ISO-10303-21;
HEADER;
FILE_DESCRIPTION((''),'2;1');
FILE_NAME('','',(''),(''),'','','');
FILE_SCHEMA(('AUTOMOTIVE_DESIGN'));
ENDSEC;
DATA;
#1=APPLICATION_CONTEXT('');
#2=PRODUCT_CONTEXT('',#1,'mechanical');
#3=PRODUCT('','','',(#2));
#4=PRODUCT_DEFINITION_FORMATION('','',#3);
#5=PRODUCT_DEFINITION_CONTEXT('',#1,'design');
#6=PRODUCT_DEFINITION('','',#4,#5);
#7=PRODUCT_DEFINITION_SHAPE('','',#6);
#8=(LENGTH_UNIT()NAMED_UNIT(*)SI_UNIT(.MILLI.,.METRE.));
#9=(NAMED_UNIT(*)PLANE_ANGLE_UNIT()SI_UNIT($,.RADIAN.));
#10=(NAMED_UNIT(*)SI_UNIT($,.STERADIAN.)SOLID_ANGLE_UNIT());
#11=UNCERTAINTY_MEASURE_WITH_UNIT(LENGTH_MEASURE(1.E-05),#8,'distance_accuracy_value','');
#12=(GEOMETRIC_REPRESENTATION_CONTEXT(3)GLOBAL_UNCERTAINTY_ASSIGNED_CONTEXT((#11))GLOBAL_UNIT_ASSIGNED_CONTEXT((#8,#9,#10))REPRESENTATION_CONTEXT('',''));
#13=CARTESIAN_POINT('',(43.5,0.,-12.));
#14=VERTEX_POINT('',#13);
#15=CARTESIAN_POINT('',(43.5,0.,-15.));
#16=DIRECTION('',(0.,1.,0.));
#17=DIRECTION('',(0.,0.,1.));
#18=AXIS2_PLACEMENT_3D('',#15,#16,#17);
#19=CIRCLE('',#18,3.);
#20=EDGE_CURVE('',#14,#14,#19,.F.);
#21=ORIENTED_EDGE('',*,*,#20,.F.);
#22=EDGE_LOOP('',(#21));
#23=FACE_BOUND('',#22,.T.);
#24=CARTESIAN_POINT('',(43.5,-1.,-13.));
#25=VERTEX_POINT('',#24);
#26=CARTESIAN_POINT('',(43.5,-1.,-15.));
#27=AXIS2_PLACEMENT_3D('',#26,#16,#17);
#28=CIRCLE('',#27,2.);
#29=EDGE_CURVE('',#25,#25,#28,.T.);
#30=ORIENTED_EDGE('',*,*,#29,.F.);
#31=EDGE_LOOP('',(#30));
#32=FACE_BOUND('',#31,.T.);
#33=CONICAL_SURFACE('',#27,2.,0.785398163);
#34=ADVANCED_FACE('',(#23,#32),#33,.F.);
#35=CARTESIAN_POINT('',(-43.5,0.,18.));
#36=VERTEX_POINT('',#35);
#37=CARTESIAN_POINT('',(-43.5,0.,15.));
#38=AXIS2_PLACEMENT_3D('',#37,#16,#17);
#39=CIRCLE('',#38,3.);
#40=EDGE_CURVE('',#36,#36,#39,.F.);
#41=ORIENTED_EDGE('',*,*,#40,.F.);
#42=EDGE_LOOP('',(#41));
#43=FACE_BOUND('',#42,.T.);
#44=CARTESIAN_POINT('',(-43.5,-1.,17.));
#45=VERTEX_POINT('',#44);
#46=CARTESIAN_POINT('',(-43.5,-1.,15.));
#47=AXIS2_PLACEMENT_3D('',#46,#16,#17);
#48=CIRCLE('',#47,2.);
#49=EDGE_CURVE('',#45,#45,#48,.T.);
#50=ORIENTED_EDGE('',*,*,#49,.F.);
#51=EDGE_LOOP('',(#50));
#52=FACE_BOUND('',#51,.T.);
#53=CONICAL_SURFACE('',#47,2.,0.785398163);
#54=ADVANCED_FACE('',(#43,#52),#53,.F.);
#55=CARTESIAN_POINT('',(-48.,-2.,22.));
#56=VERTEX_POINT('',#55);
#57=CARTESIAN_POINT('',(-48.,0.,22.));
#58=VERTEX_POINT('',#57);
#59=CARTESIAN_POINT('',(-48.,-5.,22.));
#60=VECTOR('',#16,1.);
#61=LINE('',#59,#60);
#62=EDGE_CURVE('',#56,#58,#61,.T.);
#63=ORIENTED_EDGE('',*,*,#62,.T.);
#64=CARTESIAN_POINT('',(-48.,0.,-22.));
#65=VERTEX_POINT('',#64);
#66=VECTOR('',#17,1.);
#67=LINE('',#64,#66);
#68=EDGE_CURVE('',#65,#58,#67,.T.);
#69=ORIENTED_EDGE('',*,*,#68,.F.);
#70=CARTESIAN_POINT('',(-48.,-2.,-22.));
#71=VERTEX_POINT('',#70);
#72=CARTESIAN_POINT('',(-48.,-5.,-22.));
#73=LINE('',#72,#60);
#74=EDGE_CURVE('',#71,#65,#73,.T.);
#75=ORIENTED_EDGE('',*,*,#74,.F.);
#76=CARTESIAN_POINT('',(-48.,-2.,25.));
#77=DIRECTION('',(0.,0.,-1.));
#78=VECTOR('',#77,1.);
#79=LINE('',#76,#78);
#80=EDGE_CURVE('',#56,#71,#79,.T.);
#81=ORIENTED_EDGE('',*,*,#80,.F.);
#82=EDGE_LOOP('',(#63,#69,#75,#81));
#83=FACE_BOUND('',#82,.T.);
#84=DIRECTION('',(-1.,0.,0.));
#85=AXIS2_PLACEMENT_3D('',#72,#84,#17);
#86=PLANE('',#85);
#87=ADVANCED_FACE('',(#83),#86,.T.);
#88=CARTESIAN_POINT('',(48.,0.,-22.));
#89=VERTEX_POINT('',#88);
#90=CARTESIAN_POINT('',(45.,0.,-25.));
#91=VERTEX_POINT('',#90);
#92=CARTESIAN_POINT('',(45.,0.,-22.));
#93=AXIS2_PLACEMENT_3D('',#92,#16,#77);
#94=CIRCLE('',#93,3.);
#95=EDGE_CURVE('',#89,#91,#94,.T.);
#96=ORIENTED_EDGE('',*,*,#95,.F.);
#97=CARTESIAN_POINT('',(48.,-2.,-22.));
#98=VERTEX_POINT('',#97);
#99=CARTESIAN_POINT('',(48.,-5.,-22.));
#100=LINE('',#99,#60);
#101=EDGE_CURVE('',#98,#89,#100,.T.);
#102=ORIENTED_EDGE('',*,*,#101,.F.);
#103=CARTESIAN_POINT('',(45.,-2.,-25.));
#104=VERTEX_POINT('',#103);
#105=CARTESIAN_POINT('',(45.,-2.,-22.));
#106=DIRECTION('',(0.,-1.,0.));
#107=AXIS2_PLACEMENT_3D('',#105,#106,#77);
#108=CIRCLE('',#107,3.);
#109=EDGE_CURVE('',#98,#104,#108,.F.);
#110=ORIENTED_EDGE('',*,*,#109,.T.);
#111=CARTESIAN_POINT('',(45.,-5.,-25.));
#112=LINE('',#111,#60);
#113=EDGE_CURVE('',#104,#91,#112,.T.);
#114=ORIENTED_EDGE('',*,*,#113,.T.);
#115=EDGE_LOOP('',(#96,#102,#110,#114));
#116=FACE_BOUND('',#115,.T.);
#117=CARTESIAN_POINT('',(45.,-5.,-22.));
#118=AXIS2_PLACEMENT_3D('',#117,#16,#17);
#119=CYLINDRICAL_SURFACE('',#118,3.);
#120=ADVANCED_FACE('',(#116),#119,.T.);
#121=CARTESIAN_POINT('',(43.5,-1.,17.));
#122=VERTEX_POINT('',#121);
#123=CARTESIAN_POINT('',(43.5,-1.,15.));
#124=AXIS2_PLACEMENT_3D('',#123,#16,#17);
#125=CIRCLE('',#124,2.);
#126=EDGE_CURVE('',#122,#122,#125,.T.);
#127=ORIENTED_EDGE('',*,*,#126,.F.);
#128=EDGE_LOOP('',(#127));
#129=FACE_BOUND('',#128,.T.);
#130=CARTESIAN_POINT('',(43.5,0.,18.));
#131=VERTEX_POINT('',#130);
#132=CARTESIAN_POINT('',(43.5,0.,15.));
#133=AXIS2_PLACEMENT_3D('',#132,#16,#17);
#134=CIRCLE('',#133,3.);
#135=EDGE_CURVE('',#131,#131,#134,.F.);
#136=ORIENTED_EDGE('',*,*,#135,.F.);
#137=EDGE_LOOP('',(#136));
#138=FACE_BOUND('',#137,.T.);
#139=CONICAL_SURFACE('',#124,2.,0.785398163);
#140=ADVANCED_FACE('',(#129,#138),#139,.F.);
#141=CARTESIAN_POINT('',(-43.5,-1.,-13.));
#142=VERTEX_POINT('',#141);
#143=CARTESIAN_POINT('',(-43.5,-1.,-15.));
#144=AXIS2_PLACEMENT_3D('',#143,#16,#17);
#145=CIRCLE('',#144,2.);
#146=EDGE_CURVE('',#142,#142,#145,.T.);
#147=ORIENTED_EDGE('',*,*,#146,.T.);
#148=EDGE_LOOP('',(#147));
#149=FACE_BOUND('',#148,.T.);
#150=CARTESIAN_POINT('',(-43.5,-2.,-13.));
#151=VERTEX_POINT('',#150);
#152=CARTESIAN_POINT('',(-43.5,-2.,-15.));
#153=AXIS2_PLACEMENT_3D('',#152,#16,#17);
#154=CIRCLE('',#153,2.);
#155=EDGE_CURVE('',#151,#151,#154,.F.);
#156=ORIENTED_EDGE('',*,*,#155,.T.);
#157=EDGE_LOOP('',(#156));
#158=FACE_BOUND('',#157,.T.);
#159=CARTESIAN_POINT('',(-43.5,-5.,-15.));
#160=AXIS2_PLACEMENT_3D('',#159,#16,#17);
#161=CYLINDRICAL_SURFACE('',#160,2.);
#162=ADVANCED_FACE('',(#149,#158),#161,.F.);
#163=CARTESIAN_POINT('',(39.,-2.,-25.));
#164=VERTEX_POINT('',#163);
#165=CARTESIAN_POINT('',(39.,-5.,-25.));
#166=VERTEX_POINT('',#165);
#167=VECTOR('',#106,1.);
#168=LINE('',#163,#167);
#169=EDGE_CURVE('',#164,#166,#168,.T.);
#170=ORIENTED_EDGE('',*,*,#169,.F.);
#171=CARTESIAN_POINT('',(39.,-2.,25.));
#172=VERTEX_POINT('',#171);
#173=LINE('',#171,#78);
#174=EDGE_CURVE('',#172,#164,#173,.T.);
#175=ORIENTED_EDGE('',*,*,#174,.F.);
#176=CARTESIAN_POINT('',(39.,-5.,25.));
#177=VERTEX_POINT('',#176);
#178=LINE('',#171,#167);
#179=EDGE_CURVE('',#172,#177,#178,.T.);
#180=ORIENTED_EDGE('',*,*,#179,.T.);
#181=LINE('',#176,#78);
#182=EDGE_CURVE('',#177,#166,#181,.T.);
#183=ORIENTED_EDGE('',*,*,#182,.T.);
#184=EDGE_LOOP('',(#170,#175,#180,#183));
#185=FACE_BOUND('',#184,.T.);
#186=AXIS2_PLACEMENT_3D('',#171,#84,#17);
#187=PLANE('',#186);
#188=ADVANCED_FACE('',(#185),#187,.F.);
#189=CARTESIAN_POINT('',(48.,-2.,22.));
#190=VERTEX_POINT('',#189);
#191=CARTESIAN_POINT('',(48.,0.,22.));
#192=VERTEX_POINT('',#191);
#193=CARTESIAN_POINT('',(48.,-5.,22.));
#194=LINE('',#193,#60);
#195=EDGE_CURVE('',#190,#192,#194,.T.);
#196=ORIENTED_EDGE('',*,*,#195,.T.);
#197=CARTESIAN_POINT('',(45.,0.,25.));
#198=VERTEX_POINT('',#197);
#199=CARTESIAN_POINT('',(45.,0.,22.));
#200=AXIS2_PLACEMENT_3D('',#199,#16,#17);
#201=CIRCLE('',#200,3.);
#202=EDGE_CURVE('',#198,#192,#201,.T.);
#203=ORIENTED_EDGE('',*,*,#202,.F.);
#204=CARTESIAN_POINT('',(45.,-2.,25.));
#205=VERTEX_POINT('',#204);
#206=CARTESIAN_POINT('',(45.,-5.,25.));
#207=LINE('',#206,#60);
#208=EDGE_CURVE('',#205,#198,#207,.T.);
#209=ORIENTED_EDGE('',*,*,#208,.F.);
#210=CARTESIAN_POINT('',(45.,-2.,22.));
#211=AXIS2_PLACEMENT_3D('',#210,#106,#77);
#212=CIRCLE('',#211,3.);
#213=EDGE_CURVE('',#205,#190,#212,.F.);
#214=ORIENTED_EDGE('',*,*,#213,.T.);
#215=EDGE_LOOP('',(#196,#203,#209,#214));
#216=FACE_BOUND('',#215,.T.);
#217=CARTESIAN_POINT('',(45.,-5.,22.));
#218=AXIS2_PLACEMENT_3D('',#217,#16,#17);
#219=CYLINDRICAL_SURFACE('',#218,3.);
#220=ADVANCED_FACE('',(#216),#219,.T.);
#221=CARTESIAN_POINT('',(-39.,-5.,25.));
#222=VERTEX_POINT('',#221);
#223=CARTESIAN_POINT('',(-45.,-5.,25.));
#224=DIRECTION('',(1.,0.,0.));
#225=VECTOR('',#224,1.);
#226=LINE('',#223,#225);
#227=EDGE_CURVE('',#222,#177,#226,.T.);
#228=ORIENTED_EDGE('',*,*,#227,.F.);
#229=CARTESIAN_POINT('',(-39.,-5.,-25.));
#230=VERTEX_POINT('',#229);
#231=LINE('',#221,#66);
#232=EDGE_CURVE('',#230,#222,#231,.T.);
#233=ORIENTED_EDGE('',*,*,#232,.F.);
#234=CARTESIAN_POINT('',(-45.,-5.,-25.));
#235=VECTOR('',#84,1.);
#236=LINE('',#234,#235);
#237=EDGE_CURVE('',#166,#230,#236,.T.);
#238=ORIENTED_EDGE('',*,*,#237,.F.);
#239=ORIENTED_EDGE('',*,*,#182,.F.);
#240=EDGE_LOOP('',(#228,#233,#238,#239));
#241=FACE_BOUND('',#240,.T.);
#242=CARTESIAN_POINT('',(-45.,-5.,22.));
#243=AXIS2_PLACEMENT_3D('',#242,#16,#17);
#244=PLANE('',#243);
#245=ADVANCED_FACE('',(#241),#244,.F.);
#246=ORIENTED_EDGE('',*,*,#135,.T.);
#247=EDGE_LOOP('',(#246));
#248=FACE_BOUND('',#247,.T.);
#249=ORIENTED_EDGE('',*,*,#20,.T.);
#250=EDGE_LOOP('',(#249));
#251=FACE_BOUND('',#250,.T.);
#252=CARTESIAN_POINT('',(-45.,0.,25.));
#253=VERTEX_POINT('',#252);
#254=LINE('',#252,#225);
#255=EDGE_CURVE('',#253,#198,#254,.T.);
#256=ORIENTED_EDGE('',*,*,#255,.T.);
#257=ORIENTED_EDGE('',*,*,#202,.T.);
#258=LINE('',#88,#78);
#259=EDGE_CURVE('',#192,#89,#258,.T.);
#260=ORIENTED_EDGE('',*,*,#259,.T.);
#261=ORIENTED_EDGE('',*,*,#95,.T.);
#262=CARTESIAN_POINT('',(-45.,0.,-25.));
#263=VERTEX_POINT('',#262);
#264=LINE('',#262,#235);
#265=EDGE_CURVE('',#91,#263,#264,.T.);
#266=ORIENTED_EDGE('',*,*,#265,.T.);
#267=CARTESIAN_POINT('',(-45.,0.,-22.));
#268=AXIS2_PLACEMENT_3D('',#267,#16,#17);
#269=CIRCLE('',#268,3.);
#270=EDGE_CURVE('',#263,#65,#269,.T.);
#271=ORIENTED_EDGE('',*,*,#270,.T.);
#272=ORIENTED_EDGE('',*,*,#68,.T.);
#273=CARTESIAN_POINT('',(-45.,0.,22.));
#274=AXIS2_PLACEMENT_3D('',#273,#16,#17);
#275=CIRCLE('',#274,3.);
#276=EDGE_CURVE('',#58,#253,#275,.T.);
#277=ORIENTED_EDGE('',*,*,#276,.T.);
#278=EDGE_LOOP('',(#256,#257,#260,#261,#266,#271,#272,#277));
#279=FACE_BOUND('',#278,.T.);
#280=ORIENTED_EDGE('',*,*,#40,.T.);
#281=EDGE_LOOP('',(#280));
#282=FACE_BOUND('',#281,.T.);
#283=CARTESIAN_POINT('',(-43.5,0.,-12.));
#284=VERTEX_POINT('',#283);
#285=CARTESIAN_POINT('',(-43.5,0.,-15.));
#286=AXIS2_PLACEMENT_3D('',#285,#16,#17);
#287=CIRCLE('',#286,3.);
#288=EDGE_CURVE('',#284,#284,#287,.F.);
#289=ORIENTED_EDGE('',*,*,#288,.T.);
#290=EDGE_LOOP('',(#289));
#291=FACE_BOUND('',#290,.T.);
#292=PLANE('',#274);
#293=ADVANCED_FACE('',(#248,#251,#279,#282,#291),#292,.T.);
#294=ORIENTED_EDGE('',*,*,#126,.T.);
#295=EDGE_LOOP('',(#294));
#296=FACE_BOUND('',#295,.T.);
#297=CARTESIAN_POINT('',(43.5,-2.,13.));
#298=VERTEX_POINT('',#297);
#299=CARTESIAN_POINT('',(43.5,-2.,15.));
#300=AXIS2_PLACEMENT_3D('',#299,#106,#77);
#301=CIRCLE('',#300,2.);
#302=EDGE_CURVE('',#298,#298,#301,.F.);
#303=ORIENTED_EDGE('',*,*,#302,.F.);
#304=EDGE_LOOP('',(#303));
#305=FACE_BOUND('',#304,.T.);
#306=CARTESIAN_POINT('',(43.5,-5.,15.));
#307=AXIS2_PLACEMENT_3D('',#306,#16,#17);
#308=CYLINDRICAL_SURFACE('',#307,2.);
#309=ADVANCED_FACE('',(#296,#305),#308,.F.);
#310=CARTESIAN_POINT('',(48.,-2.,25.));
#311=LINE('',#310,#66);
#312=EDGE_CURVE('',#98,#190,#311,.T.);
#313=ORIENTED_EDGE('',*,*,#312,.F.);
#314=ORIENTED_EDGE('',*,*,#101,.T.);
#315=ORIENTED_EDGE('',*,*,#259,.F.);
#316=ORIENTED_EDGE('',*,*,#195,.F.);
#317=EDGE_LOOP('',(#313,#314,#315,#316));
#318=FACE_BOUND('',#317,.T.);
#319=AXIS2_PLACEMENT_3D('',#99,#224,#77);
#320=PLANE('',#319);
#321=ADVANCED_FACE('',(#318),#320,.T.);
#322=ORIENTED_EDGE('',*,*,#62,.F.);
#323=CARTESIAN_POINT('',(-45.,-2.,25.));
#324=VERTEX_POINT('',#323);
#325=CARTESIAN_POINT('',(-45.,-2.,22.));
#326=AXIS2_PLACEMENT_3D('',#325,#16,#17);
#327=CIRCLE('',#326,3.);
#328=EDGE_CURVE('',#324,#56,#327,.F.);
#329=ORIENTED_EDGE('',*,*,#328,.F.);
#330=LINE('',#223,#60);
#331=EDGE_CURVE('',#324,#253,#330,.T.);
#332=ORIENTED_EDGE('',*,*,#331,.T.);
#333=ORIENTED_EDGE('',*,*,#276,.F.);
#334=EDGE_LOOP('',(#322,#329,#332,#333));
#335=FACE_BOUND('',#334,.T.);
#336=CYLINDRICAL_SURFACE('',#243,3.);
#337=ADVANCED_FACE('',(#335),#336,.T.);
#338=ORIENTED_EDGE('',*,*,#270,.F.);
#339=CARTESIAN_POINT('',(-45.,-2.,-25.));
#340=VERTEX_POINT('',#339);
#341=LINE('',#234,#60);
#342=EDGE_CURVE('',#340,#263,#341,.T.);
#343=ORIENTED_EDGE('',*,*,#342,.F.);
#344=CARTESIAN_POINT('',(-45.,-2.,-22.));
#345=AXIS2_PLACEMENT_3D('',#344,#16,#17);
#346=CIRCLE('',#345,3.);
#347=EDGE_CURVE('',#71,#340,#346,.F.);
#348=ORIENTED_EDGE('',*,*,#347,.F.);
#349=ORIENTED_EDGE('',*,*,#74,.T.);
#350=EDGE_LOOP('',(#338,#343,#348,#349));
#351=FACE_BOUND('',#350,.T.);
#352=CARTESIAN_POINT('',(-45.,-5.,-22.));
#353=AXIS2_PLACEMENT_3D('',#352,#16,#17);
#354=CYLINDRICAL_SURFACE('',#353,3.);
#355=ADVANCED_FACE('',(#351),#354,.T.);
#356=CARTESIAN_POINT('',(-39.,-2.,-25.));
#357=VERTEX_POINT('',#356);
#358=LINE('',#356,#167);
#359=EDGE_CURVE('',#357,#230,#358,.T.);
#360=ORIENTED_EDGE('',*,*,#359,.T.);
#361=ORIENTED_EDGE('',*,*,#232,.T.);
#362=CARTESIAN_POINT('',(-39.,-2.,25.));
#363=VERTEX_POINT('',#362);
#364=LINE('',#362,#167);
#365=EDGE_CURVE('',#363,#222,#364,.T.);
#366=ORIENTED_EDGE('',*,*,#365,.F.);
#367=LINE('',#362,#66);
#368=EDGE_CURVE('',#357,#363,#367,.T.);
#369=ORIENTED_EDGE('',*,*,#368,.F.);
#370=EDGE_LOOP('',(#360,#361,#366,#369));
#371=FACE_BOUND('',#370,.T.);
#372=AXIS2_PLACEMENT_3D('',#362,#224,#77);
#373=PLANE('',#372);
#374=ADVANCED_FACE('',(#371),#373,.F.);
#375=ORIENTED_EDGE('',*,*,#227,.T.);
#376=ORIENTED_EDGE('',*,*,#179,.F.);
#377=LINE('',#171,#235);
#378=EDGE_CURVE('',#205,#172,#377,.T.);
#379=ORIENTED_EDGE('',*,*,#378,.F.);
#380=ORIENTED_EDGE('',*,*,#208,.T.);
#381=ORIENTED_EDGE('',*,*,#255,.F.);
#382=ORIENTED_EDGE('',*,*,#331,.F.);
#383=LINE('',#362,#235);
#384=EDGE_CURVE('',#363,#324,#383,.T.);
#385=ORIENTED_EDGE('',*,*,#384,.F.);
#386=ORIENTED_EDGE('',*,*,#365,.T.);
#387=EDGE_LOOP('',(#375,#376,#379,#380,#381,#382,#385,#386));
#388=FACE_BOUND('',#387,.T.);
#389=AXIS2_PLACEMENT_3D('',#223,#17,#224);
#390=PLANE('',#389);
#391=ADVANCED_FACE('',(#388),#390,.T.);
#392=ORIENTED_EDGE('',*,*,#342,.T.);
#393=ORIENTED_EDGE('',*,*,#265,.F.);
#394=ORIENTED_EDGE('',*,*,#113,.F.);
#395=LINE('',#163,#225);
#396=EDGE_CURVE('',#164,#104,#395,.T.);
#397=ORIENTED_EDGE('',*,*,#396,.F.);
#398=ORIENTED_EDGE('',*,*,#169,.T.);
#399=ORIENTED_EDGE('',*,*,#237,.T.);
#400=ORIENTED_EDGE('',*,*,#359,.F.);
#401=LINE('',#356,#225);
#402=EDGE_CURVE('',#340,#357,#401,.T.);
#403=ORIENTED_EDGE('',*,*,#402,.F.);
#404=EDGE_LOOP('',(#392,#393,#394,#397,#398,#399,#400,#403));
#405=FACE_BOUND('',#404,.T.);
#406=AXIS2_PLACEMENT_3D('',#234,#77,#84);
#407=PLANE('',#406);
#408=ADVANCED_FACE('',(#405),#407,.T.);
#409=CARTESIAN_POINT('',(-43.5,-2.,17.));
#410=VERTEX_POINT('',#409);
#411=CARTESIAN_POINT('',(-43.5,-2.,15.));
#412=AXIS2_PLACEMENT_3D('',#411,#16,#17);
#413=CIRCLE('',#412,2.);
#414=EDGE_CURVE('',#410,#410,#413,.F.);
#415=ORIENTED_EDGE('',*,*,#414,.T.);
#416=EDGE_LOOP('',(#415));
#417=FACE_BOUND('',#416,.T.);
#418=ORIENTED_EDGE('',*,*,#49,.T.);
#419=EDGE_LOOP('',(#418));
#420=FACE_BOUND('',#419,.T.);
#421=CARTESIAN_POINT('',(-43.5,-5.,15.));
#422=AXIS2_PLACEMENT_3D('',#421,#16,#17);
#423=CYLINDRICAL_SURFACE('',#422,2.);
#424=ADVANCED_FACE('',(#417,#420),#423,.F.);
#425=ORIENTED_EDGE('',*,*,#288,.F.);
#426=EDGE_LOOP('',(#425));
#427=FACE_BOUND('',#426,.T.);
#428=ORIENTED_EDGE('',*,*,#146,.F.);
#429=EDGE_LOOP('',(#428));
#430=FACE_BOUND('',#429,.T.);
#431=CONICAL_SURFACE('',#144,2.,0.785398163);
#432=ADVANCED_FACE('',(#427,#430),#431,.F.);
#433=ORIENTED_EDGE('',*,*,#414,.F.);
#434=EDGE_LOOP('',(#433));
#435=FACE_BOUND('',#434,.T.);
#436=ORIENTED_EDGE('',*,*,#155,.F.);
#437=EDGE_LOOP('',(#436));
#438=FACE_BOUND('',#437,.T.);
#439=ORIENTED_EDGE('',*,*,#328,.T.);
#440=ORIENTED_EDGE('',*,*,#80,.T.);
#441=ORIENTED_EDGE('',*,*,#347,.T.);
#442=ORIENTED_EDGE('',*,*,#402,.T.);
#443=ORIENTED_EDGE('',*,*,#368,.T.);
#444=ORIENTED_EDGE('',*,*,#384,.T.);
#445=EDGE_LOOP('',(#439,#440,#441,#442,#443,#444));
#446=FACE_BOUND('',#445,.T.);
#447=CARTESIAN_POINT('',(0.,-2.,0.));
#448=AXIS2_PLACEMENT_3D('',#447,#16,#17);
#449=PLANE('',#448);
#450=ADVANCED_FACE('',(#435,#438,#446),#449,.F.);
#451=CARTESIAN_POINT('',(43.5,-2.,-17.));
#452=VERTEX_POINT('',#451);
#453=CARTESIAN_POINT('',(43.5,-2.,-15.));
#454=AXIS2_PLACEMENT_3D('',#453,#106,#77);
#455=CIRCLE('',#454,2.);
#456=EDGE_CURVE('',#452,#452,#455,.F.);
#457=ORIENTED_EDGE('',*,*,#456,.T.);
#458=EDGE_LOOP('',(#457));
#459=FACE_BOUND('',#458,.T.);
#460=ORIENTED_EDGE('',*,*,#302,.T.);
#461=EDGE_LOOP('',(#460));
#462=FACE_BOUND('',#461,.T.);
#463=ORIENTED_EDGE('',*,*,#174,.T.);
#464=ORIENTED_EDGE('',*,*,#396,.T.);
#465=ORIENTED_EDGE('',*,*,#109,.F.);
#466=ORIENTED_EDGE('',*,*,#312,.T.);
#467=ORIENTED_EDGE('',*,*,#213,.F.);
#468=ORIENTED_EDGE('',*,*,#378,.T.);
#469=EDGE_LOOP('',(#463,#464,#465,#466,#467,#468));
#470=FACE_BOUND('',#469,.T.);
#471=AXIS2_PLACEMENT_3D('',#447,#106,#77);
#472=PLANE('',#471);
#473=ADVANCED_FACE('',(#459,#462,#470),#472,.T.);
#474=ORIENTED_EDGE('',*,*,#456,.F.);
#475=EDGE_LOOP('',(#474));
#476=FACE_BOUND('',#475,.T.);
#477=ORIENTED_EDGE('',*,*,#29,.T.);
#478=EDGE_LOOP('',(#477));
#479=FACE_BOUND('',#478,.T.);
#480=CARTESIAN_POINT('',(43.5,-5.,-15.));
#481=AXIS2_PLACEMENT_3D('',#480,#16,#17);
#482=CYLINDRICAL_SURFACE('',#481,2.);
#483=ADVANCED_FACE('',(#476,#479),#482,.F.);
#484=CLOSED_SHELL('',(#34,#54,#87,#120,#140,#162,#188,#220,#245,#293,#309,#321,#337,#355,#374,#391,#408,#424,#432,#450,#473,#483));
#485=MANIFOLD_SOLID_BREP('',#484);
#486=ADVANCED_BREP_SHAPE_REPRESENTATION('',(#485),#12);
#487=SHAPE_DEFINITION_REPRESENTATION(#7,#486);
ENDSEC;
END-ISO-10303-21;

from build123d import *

# Parameters (mm, degrees)
ESQUISSE1_R             = 2
BOSS_EXTRU_1_DEPTH      = 5
CHANFREIN1_SIZE         = 1
ESQUISSE2_W             = 9
ESQUISSE2_H             = 50
ENL_V_MAT_EXTRU_1_DEPTH = 3


with BuildPart() as part:
    # Esquisse1 → Boss.-Extru.1 (new body)
    with BuildSketch(Plane(origin=(0, 0, 0), x_dir=(1, 0, 0), z_dir=(0, 1, 0))):
        with BuildLine():
            Line((-45, 25), (45, 25))
            ThreePointArc((45, 25), (47.121320344, 24.121320344), (48, 22))
            Line((48, 22), (48, -22))
            ThreePointArc((48, -22), (47.121320344, -24.121320344), (45, -25))
            Line((45, -25), (-45, -25))
            ThreePointArc((-45, -25), (-47.121320344, -24.121320344), (-48, -22))
            Line((-48, -22), (-48, 22))
            ThreePointArc((-48, 22), (-47.121320344, 24.121320344), (-45, 25))
        make_face()
        with Locations(Location((-43.5, 15, 0), (0, 0, 270))):
            Circle(ESQUISSE1_R, mode=Mode.SUBTRACT)
        with Locations(Location((43.5, 15, 0), (0, 0, 270))):
            Circle(ESQUISSE1_R, mode=Mode.SUBTRACT)
        with Locations(Location((43.5, -15, 0), (0, 0, 270))):
            Circle(ESQUISSE1_R, mode=Mode.SUBTRACT)
        with Locations(Location((-43.5, -15, 0), (0, 0, 270))):
            Circle(ESQUISSE1_R, mode=Mode.SUBTRACT)
    extrude(amount=-BOSS_EXTRU_1_DEPTH)

    # Chanfrein1
    chanfrein1_edges = [part.edges().sort_by_distance(p)[0] for p in [
        (-43.5, 0, -17),
        (43.5, 0, -17),
        (43.5, 0, 13),
        (-43.5, 0, 13),
    ]]
    chamfer(chanfrein1_edges, length=CHANFREIN1_SIZE)

    # Esquisse2 → Enlèv. mat.-Extru.1 (cut)
    with BuildSketch(Plane(origin=(0, -5, 0), x_dir=(-1, 0, 0), z_dir=(0, -1, 0))):
        with Locations((43.5, 0)):
            Rectangle(ESQUISSE2_W, ESQUISSE2_H)
        with Locations((-43.5, 0)):
            Rectangle(ESQUISSE2_W, ESQUISSE2_H)
    extrude(amount=-ENL_V_MAT_EXTRU_1_DEPTH, mode=Mode.SUBTRACT)


solid = part.part
